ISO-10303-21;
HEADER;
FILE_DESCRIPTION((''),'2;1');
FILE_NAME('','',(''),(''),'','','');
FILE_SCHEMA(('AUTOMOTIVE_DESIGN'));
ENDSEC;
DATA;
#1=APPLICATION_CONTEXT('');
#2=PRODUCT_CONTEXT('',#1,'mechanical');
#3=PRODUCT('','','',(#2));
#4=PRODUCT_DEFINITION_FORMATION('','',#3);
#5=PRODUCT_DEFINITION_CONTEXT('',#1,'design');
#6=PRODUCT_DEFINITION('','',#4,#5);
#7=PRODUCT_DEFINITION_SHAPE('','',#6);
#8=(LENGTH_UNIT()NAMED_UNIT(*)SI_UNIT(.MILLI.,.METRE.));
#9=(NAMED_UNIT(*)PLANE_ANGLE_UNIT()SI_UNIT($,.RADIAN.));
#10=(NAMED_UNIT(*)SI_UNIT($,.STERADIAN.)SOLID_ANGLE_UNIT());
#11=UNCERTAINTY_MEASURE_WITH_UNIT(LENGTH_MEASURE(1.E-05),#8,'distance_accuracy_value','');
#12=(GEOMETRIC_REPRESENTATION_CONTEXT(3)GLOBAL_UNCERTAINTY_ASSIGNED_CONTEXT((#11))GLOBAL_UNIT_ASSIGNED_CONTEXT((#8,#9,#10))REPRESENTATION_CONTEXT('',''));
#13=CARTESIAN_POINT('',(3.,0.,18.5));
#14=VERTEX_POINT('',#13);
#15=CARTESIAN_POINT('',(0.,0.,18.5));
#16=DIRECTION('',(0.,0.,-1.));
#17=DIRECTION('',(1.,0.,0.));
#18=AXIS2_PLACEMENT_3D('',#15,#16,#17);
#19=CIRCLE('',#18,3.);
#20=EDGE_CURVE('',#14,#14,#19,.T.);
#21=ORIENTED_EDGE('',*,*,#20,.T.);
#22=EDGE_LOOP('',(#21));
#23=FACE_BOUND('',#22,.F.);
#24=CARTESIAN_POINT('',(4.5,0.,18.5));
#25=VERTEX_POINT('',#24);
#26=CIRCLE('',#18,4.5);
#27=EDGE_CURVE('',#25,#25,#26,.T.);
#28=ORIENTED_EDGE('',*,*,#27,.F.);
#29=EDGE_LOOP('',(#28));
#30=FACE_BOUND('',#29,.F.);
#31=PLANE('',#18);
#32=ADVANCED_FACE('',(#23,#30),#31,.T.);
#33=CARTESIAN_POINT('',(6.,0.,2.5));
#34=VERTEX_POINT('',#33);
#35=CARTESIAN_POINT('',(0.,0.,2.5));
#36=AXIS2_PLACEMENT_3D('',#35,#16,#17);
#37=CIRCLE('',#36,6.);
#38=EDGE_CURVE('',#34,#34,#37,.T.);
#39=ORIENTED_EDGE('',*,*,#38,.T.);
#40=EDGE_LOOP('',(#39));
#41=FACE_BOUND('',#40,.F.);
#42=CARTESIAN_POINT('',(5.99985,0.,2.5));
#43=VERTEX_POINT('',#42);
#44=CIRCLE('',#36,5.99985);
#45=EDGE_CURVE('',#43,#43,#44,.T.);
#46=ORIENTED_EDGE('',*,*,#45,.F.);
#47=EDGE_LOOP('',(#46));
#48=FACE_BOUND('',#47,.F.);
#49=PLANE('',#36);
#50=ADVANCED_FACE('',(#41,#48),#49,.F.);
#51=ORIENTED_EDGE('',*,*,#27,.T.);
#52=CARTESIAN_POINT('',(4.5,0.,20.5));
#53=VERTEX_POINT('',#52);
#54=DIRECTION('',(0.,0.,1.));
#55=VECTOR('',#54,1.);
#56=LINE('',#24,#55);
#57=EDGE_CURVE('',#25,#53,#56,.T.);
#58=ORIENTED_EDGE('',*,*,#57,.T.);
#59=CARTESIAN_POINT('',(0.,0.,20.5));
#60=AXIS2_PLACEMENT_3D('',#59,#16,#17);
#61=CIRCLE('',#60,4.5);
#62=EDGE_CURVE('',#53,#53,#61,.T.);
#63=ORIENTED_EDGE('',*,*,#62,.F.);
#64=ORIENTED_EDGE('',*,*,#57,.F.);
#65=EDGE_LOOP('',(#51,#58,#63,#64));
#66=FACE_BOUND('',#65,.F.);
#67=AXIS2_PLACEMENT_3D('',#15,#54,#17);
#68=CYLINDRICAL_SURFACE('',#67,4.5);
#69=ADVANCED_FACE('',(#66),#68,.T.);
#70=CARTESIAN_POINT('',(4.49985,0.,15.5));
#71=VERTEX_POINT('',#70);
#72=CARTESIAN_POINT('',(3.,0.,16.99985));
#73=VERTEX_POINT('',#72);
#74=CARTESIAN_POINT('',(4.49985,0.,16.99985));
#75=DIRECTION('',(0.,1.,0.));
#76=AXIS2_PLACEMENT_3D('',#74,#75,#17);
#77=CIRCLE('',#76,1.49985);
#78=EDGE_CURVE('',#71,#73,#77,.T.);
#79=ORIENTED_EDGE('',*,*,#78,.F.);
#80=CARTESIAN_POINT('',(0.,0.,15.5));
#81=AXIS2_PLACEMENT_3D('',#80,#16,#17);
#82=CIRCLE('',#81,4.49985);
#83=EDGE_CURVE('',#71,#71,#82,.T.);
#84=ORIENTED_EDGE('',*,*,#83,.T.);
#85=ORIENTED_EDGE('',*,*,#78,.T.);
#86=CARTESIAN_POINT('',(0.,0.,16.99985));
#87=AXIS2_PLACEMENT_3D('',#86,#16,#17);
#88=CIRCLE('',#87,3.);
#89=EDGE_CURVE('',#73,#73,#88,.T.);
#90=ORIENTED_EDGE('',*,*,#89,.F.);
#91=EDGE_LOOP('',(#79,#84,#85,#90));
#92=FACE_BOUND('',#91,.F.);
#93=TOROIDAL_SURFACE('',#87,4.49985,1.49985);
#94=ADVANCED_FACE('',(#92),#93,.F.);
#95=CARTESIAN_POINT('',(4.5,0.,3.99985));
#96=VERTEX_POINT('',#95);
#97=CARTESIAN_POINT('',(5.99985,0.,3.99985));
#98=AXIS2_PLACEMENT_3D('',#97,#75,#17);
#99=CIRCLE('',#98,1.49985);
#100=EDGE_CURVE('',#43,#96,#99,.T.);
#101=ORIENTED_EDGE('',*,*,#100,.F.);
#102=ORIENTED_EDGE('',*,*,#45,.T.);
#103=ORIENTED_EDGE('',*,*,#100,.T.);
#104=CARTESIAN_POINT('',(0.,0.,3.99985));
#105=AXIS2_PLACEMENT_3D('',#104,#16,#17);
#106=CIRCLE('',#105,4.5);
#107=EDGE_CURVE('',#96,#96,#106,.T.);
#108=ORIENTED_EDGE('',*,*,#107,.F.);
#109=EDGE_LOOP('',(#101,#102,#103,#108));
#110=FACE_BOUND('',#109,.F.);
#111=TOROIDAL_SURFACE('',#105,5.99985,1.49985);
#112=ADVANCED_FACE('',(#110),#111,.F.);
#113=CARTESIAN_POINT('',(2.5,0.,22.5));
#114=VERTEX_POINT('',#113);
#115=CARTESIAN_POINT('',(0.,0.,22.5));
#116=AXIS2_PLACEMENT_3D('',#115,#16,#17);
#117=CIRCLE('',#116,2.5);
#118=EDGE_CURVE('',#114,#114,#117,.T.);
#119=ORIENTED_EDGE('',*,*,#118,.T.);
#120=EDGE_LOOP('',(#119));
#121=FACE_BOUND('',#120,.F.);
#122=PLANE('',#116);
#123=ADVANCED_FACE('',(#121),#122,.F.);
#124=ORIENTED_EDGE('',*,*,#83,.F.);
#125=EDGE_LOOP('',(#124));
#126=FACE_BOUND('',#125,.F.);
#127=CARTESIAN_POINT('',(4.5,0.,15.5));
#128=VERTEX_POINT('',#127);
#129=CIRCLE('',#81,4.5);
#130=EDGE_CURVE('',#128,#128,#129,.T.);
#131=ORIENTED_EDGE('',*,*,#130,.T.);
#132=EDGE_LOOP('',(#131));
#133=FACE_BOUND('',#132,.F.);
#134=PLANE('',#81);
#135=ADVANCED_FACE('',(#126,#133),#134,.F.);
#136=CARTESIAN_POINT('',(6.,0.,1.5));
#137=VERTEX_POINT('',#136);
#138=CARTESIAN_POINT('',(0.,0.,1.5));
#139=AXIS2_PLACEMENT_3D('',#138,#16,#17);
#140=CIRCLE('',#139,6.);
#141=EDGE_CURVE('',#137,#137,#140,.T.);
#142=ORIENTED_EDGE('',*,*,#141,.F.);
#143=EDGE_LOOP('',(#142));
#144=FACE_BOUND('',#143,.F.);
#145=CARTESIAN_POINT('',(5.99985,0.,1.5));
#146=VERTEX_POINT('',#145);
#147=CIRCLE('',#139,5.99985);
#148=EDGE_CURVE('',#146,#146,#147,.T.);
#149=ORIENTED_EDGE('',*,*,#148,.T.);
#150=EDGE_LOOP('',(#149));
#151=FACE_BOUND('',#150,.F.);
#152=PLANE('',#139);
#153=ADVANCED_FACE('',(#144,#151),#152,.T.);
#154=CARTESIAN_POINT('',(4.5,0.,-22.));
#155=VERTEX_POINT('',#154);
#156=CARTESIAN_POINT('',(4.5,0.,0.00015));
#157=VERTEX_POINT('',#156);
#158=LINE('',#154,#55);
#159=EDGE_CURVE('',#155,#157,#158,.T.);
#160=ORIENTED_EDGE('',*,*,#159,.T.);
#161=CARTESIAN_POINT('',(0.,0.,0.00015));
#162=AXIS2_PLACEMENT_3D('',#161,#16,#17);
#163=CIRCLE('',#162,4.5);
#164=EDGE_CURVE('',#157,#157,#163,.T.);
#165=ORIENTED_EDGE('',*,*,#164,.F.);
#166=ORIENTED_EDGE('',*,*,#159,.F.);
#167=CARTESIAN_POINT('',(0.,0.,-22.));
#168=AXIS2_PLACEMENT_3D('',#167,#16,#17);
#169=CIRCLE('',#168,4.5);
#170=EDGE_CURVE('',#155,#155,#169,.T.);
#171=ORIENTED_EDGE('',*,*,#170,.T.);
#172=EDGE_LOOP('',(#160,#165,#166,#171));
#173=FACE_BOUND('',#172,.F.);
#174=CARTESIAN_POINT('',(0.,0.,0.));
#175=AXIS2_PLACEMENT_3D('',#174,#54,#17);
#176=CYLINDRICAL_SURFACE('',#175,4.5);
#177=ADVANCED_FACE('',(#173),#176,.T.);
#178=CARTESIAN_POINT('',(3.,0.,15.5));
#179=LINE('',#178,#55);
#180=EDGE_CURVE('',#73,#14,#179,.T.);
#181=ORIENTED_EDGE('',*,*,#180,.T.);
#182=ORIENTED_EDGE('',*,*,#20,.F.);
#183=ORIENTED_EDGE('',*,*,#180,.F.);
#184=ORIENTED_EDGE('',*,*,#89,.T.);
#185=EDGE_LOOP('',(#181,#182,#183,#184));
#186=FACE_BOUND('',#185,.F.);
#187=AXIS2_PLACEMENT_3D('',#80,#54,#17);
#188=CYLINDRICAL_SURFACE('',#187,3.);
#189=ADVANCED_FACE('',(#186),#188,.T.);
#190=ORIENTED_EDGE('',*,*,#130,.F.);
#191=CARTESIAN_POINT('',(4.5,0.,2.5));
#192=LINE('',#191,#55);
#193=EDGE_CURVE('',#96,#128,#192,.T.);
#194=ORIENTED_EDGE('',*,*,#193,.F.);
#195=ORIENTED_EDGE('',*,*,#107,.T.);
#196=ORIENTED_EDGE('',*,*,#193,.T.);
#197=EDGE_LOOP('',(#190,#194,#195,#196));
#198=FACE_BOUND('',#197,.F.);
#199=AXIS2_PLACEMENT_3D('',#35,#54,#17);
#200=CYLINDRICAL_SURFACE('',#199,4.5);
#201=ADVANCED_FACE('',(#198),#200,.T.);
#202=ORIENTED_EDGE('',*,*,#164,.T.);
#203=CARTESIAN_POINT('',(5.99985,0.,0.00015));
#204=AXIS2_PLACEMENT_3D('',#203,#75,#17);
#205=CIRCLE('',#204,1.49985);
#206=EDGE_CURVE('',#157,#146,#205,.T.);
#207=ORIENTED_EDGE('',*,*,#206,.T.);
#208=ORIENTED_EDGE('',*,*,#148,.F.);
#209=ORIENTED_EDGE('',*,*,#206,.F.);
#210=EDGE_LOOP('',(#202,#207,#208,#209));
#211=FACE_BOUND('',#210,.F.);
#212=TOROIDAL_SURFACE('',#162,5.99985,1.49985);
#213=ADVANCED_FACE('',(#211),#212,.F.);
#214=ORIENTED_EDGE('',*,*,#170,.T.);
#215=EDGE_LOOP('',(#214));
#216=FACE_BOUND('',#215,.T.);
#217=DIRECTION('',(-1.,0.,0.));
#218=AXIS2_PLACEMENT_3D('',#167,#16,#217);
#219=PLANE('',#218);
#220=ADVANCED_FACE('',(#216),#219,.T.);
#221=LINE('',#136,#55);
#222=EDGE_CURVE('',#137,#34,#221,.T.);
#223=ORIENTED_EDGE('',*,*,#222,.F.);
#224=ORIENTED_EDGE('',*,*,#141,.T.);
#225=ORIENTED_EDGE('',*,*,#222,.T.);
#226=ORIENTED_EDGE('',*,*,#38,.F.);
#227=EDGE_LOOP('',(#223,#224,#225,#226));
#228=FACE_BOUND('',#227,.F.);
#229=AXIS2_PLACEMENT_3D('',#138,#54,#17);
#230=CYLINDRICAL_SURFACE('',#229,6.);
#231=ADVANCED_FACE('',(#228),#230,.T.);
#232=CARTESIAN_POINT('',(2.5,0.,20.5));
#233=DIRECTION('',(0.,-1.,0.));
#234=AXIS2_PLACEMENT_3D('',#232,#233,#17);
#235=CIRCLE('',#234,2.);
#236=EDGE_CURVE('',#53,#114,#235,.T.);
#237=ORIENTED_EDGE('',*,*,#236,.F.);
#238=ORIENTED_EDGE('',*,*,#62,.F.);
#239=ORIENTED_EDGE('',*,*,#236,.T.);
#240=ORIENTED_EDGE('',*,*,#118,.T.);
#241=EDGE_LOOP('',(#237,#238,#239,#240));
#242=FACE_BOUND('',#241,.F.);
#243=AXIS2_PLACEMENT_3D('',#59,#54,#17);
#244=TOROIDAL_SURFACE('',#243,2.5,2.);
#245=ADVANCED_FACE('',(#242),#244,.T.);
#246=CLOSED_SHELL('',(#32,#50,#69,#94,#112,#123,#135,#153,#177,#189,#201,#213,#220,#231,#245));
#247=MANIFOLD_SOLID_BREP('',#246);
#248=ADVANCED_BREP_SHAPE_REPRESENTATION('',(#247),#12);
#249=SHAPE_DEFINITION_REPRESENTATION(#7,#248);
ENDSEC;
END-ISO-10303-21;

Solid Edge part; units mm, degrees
sketch "Sketch1" plane through (0, 0, 0) normal (0, -1, 0) x (1, 0, 0)
  line L0 (4.5, 18.5) -> (4.5, 22.5)
  line L1 (4.5, 22.5) -> (0, 22.5)
  line L2 (0, 22.5) -> (0, 0)
  line L3 (0, 0) -> (4.5, 0)
  line L4 (4.5, 0) -> (4.5, 1.5)
  line L5 (4.5, 1.5) -> (6, 1.5)
  line L6 (6, 1.5) -> (6, 2.5)
  line L7 (6, 2.5) -> (4.5, 2.5)
  line L8 (4.5, 2.5) -> (4.5, 15.5)
  line L9 (4.5, 15.5) -> (3, 15.5)
  line L10 (3, 15.5) -> (3, 18.5)
  line L11 (3, 18.5) -> (4.5, 18.5)
revolve "RevolvedProtrusion1" add sketch "Sketch1" angle 360 about axis through (0, 0, 22.5) along (0, 0, -1)
fillet "Round1" radius 1.5 3 edges at (-3, 0, 15.5) (-4.5, 0, 2.5) (-4.5, 0, 1.5)
fillet "Round_2" radius 2 1 edges at (-4.5, 0, 22.5)
sketch "Sketch2" plane through (0, 0, 0) normal (0, 0, -1) x (1, 0, 0)
  circle A0 centre (0, 0) radius 4.5
extrude "ProtrusiónExtruida_1" add sketch "Sketch2" along normal blind 22
